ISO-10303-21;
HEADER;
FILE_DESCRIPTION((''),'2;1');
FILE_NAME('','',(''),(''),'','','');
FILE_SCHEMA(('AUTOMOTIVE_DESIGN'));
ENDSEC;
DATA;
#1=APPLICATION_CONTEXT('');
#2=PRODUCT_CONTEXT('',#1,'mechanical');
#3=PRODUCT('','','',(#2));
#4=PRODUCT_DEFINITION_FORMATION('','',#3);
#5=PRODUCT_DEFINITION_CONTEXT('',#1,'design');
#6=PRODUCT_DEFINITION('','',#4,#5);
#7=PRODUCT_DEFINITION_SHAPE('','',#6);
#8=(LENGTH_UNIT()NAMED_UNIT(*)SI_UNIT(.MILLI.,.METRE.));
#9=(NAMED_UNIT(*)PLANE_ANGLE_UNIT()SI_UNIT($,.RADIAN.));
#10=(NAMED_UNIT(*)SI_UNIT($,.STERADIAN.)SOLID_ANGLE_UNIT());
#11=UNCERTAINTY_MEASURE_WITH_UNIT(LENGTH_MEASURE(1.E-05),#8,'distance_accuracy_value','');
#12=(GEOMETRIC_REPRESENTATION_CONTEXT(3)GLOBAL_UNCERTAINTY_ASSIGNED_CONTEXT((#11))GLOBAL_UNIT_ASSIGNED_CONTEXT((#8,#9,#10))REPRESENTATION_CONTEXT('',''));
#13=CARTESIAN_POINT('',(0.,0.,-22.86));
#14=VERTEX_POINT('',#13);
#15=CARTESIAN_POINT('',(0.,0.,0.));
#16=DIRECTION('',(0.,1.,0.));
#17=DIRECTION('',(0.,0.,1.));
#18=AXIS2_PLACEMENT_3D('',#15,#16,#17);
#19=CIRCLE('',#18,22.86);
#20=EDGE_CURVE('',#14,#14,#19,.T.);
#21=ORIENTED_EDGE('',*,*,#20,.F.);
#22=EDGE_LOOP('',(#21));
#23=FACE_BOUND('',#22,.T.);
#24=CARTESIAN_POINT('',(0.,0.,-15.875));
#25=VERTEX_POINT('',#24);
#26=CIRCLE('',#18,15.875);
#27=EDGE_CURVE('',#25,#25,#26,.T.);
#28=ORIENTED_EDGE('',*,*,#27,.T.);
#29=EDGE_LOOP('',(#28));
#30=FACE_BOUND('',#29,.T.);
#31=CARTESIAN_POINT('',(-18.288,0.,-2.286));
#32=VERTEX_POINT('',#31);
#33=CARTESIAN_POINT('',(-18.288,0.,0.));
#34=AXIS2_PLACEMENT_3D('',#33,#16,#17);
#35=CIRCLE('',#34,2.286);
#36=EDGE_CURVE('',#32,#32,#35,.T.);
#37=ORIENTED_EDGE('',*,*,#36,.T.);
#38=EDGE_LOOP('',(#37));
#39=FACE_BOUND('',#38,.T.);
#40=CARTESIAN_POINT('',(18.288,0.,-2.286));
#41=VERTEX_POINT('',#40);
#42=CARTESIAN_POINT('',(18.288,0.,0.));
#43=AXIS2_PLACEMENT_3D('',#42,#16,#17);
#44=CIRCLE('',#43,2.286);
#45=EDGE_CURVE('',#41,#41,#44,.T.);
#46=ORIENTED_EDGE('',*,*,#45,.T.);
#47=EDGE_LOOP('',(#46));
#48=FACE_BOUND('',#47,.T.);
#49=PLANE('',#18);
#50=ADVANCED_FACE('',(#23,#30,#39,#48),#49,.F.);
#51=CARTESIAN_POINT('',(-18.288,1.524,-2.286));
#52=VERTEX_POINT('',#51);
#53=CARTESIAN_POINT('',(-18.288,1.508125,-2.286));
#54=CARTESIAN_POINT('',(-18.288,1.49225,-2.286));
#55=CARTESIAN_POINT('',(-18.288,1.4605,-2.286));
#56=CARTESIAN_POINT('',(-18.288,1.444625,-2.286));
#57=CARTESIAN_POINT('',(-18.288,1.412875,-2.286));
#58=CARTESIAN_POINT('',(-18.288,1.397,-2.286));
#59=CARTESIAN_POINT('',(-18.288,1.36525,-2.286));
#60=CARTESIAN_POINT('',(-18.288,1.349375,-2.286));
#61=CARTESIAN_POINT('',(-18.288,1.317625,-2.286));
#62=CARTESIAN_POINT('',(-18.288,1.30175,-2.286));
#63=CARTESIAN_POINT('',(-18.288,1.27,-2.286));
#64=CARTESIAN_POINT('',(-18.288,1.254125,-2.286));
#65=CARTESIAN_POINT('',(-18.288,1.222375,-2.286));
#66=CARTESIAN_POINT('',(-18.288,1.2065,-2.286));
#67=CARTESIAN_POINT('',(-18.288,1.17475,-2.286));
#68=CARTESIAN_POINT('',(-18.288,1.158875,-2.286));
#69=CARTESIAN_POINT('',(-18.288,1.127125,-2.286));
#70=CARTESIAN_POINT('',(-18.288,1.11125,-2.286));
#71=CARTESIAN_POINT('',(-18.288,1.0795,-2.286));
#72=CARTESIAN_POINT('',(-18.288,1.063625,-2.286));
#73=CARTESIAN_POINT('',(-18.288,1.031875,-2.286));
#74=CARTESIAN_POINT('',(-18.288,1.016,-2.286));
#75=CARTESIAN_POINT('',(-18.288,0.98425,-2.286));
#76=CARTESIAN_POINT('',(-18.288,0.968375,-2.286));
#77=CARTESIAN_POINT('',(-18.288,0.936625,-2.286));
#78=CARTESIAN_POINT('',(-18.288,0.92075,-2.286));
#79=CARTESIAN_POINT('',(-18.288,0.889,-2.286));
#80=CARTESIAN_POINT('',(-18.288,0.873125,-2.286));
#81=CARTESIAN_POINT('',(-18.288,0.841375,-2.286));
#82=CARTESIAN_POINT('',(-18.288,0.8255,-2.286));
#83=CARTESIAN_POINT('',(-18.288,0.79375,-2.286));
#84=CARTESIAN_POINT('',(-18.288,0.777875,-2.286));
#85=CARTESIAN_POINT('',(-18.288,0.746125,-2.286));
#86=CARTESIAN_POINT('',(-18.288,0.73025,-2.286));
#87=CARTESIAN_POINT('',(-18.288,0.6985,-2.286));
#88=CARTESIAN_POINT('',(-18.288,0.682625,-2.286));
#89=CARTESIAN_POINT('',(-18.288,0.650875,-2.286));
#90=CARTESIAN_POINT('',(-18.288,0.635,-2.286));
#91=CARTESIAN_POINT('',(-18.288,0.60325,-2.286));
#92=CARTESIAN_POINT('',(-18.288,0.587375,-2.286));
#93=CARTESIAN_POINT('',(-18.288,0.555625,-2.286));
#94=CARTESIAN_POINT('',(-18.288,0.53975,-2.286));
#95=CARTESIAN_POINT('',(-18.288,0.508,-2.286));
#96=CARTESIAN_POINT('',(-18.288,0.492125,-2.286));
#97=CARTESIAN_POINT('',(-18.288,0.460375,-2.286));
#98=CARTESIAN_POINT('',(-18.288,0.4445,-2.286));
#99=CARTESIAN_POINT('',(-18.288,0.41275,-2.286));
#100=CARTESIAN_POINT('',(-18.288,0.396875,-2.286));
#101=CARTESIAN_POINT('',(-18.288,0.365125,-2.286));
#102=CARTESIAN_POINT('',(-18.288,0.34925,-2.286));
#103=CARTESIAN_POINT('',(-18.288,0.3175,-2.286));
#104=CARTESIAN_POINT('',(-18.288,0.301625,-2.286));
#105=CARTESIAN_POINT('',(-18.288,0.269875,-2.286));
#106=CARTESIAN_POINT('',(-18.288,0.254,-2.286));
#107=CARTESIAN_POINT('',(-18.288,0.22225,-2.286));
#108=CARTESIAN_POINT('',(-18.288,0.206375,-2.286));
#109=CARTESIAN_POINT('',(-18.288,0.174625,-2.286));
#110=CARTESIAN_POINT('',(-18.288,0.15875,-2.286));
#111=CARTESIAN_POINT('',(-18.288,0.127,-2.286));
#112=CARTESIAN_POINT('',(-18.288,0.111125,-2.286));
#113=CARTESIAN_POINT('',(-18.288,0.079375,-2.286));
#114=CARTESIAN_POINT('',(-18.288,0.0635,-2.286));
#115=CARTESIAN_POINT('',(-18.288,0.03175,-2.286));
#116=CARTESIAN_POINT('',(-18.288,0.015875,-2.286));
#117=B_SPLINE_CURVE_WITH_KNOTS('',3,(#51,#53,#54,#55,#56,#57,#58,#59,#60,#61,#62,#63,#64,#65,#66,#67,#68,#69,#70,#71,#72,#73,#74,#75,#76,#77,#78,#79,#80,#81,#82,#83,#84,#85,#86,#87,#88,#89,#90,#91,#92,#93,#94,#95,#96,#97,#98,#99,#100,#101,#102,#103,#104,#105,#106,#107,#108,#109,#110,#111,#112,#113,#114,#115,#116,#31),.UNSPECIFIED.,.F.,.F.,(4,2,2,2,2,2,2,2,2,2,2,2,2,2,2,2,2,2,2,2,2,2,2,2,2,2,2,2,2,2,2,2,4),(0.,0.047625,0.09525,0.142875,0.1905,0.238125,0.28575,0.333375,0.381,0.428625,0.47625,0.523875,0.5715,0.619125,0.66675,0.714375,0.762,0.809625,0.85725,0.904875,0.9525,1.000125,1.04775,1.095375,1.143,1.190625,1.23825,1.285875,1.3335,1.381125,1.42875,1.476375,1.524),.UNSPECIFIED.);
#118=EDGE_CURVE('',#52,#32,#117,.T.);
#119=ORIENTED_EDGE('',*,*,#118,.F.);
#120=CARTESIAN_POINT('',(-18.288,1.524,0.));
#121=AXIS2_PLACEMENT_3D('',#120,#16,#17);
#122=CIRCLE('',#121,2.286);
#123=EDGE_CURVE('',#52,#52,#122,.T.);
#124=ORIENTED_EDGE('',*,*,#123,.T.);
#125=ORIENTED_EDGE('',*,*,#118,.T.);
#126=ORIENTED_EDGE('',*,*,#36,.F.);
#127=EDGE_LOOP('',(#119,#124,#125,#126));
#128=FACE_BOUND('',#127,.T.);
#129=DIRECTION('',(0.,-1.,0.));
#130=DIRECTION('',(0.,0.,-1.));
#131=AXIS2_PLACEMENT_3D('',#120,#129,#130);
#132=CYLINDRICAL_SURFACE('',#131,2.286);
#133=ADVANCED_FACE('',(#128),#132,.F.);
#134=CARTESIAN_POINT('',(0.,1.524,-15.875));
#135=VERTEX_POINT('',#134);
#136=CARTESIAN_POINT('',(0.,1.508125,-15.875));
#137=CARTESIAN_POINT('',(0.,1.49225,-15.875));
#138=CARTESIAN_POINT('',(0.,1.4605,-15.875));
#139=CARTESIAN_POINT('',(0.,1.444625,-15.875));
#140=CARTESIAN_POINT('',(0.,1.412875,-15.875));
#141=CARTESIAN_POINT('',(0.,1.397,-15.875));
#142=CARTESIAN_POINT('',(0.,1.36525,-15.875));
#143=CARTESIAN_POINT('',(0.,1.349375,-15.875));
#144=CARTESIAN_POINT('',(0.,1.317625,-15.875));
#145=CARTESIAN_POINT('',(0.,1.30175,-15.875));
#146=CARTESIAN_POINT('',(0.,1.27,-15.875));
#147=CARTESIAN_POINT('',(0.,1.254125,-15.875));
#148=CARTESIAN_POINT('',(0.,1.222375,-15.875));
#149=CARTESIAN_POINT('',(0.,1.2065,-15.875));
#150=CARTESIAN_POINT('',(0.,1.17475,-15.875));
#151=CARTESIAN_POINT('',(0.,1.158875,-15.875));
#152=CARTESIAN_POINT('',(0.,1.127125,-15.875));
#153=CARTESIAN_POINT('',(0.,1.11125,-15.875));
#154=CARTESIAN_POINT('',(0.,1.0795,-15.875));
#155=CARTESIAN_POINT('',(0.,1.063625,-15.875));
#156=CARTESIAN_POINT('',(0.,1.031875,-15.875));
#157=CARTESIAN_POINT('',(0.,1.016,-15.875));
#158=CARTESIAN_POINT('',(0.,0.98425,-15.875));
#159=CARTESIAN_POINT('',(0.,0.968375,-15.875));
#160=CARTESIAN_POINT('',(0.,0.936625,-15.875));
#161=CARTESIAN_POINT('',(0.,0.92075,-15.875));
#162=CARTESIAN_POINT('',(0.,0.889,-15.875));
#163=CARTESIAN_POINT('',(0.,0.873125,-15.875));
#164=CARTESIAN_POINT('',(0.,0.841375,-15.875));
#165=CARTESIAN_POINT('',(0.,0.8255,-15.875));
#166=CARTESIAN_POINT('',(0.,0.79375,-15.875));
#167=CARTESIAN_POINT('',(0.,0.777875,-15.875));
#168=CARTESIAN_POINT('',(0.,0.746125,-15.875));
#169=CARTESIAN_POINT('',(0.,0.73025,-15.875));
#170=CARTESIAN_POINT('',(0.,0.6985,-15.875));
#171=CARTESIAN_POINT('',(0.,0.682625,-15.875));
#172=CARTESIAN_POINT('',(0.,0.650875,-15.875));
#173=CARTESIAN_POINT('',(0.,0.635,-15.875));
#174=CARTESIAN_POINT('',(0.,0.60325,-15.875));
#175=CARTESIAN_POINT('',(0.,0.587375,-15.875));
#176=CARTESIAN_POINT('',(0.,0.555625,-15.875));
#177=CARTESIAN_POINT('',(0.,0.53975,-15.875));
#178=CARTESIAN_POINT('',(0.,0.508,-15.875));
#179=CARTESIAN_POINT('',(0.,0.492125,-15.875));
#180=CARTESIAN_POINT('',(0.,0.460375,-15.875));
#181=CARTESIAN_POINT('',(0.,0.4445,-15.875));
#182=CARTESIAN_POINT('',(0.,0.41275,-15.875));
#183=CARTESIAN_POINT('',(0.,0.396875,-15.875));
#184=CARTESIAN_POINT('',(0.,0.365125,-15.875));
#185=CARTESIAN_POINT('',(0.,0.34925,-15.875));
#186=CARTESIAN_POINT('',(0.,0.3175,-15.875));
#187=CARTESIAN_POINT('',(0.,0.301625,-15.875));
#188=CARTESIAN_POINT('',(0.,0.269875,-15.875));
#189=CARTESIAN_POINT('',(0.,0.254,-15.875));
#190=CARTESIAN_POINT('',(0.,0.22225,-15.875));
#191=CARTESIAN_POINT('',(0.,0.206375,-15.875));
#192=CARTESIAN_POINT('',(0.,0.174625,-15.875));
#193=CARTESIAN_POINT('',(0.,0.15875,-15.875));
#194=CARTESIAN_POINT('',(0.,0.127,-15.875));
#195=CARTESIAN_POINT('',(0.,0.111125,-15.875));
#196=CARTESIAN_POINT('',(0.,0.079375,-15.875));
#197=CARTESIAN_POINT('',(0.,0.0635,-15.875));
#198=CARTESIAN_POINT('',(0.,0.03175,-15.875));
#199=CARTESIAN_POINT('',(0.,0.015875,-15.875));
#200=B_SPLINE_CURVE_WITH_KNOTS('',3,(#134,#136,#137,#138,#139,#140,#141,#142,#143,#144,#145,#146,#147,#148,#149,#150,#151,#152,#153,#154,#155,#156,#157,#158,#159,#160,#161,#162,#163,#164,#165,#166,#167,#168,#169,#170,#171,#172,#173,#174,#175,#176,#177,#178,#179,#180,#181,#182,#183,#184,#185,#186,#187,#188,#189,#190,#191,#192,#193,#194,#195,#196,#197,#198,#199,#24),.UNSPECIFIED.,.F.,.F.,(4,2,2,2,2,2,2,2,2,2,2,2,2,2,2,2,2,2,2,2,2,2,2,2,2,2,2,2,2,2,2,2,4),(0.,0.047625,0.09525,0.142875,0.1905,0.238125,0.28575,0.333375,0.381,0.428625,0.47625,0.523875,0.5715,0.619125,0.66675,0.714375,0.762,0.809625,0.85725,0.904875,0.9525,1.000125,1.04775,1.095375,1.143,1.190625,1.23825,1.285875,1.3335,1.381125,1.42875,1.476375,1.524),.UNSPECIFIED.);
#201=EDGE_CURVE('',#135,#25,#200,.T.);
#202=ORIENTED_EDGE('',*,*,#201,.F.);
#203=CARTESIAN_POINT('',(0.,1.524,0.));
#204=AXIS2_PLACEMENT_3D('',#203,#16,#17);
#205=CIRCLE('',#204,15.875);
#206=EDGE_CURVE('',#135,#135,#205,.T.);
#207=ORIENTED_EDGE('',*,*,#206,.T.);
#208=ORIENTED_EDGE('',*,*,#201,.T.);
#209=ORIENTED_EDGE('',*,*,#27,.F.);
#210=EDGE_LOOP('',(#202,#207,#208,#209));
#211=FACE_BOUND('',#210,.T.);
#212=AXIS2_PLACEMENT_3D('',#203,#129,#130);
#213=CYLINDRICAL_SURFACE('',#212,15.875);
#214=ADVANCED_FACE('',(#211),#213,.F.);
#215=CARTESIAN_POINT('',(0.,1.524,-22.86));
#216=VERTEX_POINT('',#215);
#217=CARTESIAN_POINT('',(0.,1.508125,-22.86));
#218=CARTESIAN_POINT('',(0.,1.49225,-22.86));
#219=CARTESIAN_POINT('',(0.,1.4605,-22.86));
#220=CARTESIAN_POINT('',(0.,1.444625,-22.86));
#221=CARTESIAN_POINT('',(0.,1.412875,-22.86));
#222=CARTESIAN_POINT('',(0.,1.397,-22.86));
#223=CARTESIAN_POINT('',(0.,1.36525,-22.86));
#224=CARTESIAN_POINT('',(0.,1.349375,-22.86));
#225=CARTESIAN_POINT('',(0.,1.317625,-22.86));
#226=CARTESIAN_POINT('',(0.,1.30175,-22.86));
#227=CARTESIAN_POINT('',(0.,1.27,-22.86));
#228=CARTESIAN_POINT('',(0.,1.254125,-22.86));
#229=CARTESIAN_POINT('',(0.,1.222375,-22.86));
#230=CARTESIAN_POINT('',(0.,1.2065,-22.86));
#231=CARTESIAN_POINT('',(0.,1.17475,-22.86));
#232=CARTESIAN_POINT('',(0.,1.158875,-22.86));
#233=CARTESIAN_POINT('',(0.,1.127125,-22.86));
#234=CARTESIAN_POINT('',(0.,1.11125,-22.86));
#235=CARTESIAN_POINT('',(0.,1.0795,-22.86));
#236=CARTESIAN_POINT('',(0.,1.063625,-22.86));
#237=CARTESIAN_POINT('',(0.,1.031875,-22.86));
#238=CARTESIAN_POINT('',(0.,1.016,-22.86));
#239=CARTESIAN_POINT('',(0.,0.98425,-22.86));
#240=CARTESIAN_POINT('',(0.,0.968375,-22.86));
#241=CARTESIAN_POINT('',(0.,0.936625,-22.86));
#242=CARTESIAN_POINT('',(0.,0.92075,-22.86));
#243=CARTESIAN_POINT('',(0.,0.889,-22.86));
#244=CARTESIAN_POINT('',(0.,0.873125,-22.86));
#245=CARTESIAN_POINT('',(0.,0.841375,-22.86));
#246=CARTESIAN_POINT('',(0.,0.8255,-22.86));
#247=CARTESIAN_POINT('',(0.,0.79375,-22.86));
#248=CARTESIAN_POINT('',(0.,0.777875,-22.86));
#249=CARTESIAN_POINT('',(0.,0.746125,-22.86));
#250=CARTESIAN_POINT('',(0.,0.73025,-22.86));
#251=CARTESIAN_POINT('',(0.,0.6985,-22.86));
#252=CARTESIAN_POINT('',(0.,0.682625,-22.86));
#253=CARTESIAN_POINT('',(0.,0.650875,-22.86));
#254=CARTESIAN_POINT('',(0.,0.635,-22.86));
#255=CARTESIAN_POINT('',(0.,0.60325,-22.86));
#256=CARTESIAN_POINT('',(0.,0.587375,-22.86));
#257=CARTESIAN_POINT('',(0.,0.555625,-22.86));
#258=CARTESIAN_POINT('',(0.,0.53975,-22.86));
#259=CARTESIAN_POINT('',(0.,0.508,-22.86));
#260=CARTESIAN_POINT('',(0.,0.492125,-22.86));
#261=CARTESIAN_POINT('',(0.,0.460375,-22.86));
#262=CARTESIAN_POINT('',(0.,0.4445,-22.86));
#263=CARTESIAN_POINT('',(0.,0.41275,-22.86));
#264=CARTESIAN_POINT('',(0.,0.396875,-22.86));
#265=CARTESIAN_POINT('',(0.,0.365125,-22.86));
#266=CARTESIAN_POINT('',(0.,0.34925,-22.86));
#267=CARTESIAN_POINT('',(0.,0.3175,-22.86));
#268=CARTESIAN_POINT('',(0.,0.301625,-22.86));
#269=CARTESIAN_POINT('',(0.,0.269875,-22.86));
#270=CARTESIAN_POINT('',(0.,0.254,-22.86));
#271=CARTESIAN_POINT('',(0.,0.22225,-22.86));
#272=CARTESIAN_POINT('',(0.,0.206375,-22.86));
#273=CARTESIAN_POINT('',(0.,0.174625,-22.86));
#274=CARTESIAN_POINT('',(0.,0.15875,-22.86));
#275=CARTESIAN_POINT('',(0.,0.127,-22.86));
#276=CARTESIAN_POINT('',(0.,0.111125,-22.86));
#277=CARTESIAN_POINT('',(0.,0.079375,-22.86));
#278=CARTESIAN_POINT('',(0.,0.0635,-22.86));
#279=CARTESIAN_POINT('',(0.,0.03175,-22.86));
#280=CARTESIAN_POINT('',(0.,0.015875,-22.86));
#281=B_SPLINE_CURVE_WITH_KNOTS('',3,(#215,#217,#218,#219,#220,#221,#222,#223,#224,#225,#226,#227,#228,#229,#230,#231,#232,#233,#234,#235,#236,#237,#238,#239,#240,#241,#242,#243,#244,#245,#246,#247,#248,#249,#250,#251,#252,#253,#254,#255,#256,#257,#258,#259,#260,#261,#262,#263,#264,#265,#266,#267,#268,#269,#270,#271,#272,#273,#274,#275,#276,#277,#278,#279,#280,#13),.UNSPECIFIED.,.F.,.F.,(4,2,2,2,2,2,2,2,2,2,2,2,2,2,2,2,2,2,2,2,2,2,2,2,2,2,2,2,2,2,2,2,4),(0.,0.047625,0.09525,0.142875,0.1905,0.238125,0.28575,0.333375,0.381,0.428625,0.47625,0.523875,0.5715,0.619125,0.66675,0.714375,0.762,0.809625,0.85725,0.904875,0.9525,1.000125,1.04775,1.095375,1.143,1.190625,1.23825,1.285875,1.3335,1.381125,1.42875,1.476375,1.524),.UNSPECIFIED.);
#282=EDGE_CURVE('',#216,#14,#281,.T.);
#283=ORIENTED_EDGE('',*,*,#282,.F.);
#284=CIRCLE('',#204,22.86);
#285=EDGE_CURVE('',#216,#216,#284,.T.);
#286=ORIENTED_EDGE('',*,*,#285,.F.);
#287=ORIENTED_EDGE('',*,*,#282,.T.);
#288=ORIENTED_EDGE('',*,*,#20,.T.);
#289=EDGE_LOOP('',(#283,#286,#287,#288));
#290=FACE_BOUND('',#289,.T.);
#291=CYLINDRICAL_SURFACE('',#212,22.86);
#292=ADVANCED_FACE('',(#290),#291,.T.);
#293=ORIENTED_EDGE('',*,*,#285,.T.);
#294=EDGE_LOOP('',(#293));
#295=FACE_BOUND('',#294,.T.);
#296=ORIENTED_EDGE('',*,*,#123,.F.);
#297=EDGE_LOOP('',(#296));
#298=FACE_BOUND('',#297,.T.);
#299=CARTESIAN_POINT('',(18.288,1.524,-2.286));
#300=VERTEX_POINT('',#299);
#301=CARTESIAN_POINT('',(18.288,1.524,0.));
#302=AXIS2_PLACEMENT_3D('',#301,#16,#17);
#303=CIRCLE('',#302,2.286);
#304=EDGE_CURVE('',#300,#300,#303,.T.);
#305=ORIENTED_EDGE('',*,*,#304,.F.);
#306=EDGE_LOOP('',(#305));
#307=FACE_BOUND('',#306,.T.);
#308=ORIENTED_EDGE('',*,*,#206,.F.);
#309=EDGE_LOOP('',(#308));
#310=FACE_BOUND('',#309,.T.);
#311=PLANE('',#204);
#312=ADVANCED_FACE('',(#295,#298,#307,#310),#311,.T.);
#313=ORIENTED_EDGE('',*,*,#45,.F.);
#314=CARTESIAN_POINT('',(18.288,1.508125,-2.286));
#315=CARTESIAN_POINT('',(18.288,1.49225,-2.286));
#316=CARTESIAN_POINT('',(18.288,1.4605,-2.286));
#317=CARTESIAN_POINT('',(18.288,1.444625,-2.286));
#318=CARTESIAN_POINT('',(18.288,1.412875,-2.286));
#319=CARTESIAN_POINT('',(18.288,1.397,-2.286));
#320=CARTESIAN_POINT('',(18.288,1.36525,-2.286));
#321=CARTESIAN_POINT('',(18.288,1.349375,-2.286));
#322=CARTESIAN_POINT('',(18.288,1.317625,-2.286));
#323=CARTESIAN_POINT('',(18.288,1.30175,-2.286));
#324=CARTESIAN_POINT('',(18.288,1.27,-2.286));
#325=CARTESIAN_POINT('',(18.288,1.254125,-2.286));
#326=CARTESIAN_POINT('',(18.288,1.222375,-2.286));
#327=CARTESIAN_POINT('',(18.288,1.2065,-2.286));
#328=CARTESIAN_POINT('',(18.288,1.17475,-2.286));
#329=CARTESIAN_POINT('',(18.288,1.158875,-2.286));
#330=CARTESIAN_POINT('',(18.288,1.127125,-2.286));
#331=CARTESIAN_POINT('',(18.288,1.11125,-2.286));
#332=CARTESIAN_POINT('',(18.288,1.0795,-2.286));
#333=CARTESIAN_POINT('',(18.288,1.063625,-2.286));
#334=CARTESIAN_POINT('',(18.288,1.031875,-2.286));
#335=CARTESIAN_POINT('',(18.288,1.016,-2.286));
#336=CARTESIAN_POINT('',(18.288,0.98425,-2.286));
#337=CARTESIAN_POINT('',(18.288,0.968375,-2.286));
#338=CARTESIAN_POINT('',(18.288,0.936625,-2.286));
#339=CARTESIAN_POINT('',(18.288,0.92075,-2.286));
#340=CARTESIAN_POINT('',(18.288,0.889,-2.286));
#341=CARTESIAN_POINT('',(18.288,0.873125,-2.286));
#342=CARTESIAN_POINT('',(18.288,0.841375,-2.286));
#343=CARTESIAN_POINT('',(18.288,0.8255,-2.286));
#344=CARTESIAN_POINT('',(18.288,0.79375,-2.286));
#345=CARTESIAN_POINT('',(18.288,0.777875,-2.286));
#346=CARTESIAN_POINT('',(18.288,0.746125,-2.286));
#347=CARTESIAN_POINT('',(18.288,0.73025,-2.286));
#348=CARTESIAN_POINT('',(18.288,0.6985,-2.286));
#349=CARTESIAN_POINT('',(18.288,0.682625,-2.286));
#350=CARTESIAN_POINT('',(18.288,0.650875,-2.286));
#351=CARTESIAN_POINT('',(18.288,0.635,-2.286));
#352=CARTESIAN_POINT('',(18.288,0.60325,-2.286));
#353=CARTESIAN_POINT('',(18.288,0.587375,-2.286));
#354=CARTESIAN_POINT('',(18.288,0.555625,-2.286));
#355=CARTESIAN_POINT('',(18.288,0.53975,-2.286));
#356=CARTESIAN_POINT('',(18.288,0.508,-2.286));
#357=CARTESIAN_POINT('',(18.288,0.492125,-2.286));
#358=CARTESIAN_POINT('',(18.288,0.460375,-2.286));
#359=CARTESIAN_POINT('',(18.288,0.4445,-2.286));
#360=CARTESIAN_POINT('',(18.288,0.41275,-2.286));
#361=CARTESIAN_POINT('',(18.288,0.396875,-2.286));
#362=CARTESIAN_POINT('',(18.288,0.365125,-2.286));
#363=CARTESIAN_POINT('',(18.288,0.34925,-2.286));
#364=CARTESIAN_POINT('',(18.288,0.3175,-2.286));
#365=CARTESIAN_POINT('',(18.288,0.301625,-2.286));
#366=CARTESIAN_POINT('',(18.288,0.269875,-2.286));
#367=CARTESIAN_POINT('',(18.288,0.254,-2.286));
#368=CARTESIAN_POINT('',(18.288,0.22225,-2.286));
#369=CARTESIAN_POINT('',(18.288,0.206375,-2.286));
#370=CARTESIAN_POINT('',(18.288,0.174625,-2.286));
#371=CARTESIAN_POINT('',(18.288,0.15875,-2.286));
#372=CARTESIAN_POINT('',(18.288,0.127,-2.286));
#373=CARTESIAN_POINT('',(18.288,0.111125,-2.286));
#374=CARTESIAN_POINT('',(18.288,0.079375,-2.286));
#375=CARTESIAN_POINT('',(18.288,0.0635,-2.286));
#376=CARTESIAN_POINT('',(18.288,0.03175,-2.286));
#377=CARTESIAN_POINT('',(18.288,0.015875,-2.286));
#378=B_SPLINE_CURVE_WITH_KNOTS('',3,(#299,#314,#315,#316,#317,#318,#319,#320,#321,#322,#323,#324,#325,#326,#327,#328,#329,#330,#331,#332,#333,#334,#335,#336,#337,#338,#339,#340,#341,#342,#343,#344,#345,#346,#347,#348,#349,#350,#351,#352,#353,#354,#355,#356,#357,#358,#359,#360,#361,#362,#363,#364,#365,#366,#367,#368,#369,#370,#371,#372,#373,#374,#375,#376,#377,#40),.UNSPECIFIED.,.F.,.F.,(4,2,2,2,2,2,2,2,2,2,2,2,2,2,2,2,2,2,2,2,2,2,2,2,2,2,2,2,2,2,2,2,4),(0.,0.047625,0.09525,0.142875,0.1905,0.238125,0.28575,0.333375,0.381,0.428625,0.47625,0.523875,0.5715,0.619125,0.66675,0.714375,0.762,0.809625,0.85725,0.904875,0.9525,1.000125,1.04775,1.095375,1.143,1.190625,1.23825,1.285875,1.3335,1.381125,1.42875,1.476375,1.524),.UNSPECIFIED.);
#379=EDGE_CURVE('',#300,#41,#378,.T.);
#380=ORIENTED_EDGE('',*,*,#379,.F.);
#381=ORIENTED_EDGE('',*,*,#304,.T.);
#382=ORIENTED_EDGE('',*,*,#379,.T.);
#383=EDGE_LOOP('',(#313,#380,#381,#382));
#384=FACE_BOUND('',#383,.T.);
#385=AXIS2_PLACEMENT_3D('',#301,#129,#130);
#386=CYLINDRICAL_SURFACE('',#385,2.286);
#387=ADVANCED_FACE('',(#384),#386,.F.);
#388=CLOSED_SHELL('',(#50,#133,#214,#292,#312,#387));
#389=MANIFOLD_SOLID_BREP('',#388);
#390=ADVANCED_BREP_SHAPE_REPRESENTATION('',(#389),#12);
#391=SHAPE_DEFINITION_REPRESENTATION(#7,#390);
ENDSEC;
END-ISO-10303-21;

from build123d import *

# Parameters (mm, degrees)
SKETCH1_R           = 22.86
SKETCH1_R_2         = 15.875
SKETCH1_R_3         = 2.286
BOSS_EXTRUDE1_DEPTH = 1.524


with BuildPart() as part:
    # Sketch1 → Boss-Extrude1 (new body)
    with BuildSketch(Plane(origin=(0, 0, 0), x_dir=(1, 0, 0), z_dir=(0, 1, 0))):
        with Locations(Location((0, 0, 0), (0, 0, 90))):
            Circle(SKETCH1_R)
        with Locations(Location((0, 0, 0), (0, 0, 90))):
            Circle(SKETCH1_R_2, mode=Mode.SUBTRACT)
        with Locations(Location((-18.288, 0, 0), (0, 0, 90))):
            Circle(SKETCH1_R_3, mode=Mode.SUBTRACT)
        with Locations(Location((18.288, 0, 0), (0, 0, 90))):
            Circle(SKETCH1_R_3, mode=Mode.SUBTRACT)
    extrude(amount=BOSS_EXTRUDE1_DEPTH)


solid = part.part
